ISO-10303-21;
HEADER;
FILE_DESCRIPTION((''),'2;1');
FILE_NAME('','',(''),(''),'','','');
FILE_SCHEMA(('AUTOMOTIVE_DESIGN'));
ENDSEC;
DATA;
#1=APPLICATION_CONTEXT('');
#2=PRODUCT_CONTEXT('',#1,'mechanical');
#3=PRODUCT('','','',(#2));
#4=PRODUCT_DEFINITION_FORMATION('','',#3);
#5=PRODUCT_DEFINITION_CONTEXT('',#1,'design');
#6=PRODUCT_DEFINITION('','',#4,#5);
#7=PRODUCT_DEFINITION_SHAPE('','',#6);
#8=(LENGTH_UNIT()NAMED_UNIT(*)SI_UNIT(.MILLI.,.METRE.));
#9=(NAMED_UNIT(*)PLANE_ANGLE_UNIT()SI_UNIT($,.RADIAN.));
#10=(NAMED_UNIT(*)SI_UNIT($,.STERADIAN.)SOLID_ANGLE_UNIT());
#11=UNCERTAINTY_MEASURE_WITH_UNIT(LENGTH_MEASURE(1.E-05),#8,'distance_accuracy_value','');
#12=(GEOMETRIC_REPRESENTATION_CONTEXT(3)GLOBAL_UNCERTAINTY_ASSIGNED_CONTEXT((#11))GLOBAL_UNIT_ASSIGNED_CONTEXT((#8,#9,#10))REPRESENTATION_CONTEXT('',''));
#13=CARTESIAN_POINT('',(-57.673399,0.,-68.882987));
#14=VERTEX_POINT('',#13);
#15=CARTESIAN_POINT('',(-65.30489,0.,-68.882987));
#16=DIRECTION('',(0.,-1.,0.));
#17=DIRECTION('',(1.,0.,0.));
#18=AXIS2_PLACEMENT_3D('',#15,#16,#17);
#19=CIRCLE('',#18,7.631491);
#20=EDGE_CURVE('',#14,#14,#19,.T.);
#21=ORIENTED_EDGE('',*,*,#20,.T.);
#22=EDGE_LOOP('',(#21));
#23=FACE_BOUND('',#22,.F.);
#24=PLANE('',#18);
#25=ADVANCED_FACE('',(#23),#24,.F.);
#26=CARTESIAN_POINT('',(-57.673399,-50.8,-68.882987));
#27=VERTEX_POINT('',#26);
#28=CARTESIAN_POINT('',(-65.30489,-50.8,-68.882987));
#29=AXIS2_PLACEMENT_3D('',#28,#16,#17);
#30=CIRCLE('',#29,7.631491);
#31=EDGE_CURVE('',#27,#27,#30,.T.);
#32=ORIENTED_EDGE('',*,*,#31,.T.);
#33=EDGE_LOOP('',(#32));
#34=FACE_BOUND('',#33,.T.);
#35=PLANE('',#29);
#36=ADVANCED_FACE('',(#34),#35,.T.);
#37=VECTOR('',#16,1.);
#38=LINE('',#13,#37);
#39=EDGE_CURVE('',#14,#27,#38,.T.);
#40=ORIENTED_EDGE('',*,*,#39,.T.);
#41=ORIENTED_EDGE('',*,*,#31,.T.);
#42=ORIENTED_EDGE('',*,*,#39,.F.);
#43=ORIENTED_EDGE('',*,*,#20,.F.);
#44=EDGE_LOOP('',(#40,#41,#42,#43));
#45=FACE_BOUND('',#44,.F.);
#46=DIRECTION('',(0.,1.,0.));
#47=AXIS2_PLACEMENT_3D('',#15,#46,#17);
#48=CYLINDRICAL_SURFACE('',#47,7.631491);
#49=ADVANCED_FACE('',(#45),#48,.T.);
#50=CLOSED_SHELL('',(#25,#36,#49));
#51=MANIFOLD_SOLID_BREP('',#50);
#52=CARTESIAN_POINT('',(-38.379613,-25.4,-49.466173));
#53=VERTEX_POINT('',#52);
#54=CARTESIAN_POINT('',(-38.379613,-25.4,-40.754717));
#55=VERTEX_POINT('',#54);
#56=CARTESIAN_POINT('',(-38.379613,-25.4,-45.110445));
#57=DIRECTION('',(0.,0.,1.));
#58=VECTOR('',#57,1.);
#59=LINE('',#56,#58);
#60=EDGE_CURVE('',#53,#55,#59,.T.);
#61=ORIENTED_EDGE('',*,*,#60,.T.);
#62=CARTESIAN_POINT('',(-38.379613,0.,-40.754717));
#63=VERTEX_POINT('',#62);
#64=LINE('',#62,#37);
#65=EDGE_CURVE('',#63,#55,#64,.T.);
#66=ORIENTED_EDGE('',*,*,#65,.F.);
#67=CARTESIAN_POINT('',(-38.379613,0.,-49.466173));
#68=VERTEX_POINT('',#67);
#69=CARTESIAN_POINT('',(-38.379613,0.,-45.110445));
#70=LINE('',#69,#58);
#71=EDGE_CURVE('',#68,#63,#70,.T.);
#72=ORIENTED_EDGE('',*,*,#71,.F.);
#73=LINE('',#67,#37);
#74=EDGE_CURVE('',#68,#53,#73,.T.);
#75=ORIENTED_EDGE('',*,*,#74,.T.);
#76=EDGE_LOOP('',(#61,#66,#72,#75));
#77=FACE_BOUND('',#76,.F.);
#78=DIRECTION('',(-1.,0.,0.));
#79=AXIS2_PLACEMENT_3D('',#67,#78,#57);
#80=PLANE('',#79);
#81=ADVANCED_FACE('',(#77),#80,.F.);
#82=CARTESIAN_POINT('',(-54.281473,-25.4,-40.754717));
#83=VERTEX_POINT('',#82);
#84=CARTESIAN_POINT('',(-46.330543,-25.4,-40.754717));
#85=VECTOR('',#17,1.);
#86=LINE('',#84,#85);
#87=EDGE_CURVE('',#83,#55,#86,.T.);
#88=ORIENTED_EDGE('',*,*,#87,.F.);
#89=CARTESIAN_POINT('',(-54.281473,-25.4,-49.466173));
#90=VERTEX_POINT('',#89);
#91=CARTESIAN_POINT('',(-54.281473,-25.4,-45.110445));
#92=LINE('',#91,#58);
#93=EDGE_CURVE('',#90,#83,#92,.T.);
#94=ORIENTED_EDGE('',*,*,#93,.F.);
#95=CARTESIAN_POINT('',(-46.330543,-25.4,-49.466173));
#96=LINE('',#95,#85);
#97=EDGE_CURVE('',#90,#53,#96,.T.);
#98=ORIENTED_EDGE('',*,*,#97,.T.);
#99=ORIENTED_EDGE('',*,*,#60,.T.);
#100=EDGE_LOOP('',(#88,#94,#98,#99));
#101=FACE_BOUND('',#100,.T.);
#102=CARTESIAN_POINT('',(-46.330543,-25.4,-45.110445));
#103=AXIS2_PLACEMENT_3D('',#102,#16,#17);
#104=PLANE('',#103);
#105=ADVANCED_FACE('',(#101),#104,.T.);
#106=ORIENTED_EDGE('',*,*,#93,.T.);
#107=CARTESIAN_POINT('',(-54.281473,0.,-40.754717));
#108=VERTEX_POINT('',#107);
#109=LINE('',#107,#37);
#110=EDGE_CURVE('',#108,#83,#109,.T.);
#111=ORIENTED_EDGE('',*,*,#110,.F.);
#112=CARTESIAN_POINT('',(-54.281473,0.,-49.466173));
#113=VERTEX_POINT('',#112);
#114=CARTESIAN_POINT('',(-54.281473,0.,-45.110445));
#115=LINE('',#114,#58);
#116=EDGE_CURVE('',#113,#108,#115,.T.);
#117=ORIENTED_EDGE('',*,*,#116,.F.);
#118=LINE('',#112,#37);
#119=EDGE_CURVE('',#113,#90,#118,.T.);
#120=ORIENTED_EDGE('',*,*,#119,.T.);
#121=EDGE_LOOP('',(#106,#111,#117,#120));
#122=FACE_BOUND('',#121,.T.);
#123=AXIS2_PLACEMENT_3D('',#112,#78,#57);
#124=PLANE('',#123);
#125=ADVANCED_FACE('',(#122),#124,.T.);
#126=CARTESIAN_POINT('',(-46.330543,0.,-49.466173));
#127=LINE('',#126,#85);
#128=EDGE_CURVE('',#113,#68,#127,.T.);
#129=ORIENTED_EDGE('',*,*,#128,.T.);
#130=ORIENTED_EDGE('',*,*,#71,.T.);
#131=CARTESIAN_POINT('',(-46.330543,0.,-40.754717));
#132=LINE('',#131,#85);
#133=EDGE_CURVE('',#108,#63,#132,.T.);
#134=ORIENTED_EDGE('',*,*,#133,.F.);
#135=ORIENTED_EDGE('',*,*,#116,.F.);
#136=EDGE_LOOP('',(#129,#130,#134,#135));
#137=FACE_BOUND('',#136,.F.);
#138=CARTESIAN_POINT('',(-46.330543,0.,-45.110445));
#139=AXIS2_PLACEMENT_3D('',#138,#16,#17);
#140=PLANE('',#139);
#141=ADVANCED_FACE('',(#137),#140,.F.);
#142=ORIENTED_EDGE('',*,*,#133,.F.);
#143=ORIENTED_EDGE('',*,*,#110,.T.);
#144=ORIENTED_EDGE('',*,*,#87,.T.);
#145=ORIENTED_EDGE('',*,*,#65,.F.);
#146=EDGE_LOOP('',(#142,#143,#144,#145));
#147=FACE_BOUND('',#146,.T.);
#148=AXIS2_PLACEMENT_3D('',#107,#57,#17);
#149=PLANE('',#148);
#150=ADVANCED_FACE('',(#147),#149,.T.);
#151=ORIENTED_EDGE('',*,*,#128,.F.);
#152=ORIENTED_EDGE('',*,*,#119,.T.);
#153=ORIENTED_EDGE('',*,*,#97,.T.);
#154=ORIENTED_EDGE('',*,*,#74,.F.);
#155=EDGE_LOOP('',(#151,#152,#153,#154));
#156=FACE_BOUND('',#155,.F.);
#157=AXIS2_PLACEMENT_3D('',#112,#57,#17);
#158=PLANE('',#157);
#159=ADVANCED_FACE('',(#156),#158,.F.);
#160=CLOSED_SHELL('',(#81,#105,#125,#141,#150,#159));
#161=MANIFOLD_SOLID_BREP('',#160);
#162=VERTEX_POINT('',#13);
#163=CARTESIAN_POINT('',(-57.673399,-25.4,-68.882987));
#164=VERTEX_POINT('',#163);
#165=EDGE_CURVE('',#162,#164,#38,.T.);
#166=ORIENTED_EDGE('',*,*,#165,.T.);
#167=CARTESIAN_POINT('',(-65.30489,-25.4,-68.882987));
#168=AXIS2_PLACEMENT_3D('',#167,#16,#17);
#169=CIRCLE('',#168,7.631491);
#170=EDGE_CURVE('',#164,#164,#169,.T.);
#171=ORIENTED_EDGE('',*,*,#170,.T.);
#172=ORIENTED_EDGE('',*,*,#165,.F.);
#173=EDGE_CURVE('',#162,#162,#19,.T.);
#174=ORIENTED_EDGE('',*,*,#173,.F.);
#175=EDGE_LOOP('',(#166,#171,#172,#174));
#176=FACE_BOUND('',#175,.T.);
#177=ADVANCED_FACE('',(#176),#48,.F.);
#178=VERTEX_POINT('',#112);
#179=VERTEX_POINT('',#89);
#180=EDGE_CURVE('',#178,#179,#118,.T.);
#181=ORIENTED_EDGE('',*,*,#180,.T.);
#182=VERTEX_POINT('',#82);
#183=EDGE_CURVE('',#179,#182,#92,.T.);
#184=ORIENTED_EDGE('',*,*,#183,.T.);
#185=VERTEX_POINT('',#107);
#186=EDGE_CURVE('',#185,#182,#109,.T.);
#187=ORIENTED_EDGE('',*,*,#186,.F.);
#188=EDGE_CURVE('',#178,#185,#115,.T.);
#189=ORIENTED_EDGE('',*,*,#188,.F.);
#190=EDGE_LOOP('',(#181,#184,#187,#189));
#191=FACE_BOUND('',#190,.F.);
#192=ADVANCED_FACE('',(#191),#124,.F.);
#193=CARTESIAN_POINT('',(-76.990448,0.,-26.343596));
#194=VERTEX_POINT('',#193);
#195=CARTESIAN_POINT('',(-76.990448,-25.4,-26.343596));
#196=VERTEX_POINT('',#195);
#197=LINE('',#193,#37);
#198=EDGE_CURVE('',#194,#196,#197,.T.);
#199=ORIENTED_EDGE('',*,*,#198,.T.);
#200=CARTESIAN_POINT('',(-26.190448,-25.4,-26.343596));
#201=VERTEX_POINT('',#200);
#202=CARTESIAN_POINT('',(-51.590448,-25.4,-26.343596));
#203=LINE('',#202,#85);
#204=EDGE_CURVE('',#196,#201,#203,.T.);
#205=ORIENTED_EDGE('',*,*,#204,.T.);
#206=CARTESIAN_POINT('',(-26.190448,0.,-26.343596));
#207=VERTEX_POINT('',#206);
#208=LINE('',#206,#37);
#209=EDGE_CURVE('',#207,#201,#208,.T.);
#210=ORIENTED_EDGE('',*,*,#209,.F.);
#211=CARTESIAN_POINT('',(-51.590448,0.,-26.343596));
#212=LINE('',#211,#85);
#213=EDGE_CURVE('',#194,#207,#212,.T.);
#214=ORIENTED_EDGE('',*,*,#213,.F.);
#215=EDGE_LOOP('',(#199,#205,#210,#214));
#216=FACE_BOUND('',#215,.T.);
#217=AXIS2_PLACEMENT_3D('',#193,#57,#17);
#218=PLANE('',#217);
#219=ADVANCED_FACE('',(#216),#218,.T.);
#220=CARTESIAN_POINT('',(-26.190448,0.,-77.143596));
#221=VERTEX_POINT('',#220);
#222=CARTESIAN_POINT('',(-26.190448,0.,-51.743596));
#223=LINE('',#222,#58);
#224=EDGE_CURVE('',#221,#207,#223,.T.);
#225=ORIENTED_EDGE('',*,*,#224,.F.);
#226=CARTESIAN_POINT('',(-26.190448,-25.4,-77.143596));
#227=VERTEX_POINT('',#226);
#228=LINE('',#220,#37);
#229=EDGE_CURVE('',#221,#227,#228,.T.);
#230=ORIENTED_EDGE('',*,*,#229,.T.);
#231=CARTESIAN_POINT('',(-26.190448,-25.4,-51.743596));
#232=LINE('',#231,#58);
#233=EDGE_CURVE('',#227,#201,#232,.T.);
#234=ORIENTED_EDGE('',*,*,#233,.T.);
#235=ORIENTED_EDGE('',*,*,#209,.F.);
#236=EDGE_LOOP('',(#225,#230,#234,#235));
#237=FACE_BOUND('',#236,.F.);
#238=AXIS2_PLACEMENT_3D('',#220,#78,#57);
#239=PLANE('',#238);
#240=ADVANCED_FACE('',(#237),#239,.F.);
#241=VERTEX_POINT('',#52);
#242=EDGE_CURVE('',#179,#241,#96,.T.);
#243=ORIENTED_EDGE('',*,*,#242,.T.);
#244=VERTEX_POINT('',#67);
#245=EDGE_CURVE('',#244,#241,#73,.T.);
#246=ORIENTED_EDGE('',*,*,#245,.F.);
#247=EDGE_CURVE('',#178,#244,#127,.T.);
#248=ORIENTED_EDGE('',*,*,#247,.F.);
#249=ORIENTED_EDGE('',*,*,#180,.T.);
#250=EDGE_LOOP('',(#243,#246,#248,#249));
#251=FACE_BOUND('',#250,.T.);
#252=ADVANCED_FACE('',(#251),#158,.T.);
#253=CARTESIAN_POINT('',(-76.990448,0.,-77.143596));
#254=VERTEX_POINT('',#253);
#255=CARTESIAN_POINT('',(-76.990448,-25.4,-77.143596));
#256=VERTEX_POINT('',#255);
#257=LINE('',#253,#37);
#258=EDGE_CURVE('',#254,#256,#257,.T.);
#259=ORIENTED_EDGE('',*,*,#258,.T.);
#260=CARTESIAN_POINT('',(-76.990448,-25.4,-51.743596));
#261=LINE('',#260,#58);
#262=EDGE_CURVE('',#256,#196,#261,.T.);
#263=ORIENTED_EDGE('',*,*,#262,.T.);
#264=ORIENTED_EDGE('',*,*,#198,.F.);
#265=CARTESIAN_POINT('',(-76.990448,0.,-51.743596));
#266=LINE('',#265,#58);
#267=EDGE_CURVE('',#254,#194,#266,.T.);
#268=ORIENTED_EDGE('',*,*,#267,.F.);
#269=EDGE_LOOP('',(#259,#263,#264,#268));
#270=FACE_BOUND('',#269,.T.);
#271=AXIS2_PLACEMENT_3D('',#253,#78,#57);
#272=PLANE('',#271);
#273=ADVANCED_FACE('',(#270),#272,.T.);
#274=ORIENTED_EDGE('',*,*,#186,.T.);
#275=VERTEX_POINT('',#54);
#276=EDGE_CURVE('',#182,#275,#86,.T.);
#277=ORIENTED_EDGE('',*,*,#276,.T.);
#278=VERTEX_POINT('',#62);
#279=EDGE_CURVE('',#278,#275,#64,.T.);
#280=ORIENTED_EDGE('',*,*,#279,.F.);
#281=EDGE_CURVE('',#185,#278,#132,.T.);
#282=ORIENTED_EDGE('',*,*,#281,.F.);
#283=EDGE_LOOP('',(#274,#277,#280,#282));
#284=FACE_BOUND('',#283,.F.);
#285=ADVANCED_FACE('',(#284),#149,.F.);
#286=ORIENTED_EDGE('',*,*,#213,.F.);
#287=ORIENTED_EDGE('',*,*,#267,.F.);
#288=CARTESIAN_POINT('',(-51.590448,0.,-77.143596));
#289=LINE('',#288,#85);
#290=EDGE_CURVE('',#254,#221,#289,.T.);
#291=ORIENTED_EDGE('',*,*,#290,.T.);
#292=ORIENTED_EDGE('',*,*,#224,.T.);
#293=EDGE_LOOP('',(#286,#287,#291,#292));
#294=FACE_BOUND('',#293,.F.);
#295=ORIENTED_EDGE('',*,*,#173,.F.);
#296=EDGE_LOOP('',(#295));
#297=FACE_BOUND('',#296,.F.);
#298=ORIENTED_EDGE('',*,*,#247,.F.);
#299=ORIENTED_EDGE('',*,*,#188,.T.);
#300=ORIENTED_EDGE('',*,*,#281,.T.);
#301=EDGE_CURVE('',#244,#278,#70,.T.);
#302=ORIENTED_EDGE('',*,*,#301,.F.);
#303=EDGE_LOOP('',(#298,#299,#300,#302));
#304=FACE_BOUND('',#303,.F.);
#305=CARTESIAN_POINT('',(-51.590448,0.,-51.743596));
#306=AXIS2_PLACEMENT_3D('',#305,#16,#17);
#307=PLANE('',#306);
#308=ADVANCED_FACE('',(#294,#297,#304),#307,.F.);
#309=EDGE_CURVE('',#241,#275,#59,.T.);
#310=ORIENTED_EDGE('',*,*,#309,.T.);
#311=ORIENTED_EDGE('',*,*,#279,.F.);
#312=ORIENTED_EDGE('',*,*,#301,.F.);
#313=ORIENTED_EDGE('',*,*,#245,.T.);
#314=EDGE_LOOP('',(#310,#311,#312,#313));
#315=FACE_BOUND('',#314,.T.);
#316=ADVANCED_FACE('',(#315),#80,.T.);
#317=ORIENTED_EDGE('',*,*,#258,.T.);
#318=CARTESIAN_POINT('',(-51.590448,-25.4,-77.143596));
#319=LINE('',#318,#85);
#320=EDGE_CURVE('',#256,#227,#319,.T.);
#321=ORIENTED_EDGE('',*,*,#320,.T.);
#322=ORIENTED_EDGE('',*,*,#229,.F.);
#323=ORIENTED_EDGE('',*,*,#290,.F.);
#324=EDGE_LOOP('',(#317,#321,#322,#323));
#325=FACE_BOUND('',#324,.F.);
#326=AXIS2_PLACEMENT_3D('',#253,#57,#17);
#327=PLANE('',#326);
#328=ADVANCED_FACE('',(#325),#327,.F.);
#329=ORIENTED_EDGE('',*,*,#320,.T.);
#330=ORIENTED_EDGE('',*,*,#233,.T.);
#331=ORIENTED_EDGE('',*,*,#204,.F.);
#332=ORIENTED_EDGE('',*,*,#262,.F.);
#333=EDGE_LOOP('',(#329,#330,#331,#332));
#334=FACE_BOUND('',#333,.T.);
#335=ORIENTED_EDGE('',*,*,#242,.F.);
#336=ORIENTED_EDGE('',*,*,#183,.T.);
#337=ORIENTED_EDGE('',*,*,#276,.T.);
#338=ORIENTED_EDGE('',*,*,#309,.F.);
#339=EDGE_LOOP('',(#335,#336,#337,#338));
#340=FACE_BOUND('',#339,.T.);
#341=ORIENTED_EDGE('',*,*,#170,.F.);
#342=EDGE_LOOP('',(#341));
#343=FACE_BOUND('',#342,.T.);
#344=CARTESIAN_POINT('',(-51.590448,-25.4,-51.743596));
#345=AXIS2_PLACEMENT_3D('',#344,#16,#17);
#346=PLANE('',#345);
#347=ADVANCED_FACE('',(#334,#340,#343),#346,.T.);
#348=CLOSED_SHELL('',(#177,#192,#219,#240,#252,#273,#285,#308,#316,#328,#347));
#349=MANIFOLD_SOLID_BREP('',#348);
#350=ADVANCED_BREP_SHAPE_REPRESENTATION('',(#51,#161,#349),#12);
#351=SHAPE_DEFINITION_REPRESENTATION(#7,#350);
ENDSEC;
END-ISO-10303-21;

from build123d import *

# Parameters (mm, degrees)
F0_W     = 15.90186
F0_H     = 8.711457
F1_DEPTH = 25.4
F0_R     = 7.631491
F2_DEPTH = 50.8
F0_W_2   = 50.8
F0_H_2   = 50.8
F3_DEPTH = 25.4


with BuildPart() as f1:
    # F0 (on Front) → F1 (new body)
    with BuildSketch(Plane.XZ):
        with Locations((-46.330543, -45.110445)):
            Rectangle(F0_W, F0_H)
    extrude(amount=F1_DEPTH)


with BuildPart() as f2:
    # F0 (on Front) → F2 (new body)
    with BuildSketch(Plane.XZ):
        with Locations((-65.30489, -68.882987)):
            Circle(F0_R)
    extrude(amount=F2_DEPTH)


with BuildPart() as f3:
    # F0 (on Front) → F3 (new body)
    with BuildSketch(Plane.XZ):
        with Locations((-51.590448, -51.743596)):
            Rectangle(F0_W_2, F0_H_2)
        with Locations((-65.30489, -68.882987)):
            Circle(F0_R, mode=Mode.SUBTRACT)
        with Locations((-46.330543, -45.110445)):
            Rectangle(F0_W, F0_H, mode=Mode.SUBTRACT)
    extrude(amount=F3_DEPTH)


solid = Compound([f1.part, f2.part, f3.part])
